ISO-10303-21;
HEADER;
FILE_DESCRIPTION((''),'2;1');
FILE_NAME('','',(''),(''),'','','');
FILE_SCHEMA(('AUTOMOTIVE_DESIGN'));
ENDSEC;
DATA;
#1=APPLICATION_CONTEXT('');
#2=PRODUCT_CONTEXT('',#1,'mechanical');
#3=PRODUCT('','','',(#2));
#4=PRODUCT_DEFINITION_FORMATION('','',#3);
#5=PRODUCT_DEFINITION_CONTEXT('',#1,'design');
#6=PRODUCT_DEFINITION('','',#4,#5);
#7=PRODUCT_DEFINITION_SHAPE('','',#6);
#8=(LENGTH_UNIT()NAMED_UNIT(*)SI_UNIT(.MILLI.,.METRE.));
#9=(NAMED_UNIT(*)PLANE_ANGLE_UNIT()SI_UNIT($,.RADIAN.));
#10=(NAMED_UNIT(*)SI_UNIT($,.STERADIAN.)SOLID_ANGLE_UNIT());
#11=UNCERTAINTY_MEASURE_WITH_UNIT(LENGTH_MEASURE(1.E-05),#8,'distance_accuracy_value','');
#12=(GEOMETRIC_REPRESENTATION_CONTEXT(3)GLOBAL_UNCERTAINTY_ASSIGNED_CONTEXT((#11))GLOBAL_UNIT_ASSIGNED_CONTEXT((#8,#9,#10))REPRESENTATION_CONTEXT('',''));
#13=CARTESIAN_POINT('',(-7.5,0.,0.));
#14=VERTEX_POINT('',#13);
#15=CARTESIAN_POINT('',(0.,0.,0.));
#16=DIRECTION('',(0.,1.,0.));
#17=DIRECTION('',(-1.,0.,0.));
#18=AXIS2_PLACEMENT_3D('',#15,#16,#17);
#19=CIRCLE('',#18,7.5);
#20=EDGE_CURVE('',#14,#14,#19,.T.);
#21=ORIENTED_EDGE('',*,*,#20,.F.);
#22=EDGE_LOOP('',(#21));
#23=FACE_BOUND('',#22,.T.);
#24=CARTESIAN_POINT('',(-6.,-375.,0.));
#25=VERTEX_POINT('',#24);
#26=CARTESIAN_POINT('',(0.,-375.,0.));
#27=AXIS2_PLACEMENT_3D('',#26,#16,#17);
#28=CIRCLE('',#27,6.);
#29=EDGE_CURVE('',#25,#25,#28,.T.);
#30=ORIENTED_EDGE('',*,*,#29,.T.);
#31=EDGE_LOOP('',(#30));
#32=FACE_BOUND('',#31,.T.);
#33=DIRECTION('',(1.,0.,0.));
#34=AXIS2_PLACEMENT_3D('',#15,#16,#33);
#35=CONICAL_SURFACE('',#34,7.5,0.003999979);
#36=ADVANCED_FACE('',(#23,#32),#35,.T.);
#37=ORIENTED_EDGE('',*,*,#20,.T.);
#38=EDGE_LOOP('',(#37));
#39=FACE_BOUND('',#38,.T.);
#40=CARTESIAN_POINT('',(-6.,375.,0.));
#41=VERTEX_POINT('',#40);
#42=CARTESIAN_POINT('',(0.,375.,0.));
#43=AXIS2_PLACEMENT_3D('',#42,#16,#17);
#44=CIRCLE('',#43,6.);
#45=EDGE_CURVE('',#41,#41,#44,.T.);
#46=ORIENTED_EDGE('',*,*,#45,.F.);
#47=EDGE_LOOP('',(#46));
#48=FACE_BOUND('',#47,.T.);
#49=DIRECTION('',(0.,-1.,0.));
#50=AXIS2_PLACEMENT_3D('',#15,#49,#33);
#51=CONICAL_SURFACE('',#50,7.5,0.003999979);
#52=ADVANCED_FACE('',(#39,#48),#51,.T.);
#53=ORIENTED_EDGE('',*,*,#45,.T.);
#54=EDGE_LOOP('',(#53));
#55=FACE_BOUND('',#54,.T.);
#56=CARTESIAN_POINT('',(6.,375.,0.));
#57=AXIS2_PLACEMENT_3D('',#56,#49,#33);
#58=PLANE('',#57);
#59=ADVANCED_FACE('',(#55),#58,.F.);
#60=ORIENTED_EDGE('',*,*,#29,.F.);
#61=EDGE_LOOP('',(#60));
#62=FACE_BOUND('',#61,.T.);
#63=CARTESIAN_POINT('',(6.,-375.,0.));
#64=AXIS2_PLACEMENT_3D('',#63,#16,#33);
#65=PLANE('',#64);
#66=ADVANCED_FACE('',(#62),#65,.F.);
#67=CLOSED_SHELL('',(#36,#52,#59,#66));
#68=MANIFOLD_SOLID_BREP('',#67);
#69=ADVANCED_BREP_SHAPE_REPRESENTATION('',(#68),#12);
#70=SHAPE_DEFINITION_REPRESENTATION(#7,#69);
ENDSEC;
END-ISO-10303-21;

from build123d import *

# Parameters (mm, degrees)
ECHELLE1_SCALE = 1.5


with BuildPart() as part:
    # Esquisse1 → Révolution1 (revolve)
    with BuildSketch(Plane.XY, mode=Mode.PRIVATE) as r_volution1_sk:
        Polygon((0, 0), (5, 0), (4, 250), (0, 250), align=None)
    r_volution1 = revolve(r_volution1_sk.sketch.rotate(Axis((0, 250, 0), (0, -1, 0)), 180), axis=Axis((0, 250, 0), (0, -1, 0)))

    # Symétrie1: Révolution1 across plane
    add(r_volution1.mirror(Plane.ZX))


with BuildPart() as part_1:
    # Echelle1: scaled about (0, 0, 0)
    add(part.part.scale(ECHELLE1_SCALE))


solid = part_1.part
